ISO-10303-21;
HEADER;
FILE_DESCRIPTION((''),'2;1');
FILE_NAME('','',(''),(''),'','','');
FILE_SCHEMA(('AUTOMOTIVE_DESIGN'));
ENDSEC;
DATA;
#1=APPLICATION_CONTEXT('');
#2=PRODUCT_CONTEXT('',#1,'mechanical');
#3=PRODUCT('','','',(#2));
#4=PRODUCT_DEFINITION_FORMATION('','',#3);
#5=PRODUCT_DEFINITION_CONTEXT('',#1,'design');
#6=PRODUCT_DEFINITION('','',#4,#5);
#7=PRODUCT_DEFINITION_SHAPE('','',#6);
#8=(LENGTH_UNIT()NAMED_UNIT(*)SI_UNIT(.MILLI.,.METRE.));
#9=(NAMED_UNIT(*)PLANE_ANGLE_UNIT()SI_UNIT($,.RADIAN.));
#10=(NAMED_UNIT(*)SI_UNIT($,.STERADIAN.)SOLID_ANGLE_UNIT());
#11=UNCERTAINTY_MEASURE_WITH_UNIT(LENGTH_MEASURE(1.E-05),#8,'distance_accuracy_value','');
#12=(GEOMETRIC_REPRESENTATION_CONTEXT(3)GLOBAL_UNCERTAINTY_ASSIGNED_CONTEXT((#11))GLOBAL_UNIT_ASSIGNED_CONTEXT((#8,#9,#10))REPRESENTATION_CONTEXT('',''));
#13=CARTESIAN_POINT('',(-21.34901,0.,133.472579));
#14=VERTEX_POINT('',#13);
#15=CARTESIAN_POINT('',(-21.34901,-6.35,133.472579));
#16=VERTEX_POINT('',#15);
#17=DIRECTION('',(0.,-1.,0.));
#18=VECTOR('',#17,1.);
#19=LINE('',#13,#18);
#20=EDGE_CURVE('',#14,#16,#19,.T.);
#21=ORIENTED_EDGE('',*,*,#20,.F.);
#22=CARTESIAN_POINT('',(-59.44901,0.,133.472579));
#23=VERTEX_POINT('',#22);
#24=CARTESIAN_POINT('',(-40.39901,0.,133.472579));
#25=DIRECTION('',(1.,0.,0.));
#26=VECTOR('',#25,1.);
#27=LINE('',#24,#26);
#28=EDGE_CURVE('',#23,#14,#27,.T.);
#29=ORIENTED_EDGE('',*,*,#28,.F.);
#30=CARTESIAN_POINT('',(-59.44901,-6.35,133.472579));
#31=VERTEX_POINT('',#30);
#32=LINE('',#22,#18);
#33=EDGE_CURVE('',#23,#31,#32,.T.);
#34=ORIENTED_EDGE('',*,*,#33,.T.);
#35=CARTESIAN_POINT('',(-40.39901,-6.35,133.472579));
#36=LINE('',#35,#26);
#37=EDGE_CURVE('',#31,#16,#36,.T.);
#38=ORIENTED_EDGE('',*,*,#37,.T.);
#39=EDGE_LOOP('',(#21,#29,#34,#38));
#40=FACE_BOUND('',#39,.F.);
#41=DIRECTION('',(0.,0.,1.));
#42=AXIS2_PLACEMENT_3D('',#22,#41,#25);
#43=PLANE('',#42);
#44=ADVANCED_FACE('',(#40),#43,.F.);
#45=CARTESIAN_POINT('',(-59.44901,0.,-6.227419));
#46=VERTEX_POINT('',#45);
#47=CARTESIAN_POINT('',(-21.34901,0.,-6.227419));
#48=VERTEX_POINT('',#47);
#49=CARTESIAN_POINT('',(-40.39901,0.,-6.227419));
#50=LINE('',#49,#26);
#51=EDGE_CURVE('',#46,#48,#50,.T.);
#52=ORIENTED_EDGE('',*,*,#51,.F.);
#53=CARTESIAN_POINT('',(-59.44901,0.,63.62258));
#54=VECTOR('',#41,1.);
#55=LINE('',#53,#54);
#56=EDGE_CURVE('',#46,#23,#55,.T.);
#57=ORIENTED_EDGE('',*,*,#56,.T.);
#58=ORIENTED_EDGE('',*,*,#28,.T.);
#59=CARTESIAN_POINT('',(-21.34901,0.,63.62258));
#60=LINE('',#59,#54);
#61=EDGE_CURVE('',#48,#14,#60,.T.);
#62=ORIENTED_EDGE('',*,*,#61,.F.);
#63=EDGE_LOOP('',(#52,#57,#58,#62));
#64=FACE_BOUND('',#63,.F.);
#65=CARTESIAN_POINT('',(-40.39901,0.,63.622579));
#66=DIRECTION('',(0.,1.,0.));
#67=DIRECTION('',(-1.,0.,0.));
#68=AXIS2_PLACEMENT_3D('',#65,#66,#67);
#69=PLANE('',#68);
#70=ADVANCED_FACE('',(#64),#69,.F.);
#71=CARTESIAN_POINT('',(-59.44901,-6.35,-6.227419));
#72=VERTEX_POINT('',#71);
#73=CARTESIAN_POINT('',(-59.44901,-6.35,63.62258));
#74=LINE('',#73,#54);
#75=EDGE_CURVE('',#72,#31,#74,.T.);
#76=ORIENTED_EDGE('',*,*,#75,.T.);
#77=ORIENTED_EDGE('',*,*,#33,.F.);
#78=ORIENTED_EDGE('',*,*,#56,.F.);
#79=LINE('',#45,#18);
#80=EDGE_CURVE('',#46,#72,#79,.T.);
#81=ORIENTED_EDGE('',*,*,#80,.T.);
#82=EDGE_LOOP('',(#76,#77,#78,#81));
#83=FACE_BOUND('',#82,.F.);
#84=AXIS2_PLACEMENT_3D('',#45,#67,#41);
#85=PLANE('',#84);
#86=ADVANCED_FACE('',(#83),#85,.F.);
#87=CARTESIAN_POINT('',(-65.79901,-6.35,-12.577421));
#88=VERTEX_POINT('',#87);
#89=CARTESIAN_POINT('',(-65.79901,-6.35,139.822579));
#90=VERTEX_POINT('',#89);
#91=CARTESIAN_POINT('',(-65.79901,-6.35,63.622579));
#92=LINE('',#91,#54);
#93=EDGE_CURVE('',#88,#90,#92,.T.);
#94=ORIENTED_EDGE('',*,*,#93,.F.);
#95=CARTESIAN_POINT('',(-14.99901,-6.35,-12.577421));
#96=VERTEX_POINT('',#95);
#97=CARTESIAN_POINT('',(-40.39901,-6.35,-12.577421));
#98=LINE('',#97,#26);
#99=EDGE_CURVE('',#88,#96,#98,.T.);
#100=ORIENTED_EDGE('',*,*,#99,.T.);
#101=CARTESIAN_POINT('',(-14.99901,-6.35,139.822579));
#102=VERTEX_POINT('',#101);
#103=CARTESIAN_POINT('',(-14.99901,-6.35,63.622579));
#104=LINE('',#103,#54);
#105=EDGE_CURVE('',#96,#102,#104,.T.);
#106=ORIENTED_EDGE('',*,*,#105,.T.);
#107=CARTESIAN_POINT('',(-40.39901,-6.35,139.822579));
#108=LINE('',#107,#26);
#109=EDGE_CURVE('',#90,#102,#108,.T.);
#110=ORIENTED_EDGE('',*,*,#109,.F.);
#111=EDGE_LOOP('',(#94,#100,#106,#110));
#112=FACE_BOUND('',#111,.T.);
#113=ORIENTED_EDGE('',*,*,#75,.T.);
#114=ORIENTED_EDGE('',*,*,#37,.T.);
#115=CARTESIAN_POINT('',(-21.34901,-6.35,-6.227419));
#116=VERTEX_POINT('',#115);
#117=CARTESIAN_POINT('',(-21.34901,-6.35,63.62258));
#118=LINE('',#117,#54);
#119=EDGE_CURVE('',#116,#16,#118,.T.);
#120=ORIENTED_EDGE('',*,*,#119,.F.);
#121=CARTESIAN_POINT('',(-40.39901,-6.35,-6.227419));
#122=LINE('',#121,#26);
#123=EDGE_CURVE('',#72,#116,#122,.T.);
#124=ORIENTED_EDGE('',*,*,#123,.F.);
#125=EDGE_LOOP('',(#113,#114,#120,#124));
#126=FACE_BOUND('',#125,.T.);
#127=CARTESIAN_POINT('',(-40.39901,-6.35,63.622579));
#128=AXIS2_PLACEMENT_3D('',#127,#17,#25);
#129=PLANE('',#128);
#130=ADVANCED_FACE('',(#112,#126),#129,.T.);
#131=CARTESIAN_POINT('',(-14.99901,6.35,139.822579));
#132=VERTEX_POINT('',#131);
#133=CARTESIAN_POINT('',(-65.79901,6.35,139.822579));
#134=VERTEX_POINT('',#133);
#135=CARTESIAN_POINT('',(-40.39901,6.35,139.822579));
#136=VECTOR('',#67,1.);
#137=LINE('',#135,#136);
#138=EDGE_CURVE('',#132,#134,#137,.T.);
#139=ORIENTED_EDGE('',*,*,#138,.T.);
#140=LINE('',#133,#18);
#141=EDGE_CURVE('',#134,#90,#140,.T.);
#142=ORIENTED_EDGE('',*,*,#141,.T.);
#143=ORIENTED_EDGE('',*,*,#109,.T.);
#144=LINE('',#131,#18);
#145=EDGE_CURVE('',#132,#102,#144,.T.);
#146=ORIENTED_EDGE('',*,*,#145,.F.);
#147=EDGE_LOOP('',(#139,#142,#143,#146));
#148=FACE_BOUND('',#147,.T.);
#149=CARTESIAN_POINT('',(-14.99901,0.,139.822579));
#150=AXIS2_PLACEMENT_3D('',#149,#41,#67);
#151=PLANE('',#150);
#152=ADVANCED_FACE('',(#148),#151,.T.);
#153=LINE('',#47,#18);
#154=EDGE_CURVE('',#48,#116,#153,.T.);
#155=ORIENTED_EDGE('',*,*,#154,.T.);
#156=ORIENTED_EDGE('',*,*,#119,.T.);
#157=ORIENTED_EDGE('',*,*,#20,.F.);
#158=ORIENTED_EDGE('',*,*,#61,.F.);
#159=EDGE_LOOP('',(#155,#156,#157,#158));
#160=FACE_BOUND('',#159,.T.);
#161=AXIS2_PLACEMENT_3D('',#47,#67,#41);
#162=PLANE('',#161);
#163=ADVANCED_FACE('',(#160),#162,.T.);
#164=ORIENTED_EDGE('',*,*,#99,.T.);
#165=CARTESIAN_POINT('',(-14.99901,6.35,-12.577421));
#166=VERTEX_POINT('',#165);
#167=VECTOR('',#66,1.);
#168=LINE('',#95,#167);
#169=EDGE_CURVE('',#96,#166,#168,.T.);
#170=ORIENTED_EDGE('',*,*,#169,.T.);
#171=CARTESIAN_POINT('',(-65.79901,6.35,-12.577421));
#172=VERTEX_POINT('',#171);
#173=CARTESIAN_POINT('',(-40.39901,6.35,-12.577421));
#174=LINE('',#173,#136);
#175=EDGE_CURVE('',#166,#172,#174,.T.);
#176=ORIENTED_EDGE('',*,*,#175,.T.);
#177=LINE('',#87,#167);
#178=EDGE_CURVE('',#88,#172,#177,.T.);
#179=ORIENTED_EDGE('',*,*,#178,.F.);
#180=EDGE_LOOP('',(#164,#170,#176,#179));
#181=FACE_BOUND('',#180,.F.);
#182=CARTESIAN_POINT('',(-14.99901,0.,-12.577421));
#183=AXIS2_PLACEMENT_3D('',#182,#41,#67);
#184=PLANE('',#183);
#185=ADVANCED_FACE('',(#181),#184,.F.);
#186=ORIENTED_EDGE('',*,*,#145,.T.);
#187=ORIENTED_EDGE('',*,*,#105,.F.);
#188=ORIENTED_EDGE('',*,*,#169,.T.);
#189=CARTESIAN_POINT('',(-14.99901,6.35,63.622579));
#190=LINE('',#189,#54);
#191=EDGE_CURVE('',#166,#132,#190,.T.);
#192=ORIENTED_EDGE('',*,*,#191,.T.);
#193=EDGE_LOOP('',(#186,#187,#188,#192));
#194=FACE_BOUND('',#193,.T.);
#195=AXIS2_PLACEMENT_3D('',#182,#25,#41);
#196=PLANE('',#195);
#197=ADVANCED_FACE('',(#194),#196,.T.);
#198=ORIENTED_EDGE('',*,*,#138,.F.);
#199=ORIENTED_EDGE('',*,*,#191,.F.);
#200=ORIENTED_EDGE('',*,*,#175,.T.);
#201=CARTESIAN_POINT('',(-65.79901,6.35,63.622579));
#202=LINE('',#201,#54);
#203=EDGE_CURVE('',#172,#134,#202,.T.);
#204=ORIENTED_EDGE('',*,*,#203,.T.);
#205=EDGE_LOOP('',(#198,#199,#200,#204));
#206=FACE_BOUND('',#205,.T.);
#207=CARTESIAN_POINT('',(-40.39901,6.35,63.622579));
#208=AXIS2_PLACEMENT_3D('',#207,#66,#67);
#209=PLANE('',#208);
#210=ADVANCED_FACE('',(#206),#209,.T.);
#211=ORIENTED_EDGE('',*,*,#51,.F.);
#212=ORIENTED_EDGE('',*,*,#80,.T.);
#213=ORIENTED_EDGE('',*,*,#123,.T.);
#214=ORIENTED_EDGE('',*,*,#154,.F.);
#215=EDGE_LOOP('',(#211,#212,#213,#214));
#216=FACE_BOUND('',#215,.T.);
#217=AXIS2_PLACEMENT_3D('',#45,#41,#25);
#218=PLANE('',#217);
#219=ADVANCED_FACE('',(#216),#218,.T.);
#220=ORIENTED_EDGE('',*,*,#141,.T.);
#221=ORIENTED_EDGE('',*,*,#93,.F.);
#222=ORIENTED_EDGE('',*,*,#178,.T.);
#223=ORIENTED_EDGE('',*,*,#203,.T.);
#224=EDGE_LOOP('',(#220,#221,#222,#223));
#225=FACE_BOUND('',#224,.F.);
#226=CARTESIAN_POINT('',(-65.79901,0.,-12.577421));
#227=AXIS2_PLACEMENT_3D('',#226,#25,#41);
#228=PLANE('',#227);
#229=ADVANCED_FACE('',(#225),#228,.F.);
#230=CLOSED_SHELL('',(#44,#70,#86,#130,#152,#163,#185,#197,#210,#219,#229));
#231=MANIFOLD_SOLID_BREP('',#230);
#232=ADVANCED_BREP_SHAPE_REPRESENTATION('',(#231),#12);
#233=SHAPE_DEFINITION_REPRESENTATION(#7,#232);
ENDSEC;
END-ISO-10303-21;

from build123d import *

# Parameters (mm, degrees)
F0_W     = 50.8
F0_H     = 152.4
F0_W_2   = 38.1
F0_H_2   = 139.699999
F1_DEPTH = 6.35
F2_W     = 50.8
F2_H     = 152.4
F3_DEPTH = 6.35


with BuildPart() as f1:
    # F0 (on Front) → F1 (new body)
    with BuildSketch(Plane.XZ):
        with Locations((-40.39901, 63.622579)):
            Rectangle(F0_W, F0_H)
        with Locations((-40.39901, 63.62258)):
            Rectangle(F0_W_2, F0_H_2, mode=Mode.SUBTRACT)
    extrude(amount=F1_DEPTH)

    # F2 (on face) → F3 (join)
    with BuildSketch(Plane(origin=(0, 0, 0), x_dir=(-1, 0, 0), z_dir=(0, 1, 0))):
        with Locations((40.39901, 63.622579)):
            Rectangle(F2_W, F2_H)
    extrude(amount=F3_DEPTH)


solid = f1.part
